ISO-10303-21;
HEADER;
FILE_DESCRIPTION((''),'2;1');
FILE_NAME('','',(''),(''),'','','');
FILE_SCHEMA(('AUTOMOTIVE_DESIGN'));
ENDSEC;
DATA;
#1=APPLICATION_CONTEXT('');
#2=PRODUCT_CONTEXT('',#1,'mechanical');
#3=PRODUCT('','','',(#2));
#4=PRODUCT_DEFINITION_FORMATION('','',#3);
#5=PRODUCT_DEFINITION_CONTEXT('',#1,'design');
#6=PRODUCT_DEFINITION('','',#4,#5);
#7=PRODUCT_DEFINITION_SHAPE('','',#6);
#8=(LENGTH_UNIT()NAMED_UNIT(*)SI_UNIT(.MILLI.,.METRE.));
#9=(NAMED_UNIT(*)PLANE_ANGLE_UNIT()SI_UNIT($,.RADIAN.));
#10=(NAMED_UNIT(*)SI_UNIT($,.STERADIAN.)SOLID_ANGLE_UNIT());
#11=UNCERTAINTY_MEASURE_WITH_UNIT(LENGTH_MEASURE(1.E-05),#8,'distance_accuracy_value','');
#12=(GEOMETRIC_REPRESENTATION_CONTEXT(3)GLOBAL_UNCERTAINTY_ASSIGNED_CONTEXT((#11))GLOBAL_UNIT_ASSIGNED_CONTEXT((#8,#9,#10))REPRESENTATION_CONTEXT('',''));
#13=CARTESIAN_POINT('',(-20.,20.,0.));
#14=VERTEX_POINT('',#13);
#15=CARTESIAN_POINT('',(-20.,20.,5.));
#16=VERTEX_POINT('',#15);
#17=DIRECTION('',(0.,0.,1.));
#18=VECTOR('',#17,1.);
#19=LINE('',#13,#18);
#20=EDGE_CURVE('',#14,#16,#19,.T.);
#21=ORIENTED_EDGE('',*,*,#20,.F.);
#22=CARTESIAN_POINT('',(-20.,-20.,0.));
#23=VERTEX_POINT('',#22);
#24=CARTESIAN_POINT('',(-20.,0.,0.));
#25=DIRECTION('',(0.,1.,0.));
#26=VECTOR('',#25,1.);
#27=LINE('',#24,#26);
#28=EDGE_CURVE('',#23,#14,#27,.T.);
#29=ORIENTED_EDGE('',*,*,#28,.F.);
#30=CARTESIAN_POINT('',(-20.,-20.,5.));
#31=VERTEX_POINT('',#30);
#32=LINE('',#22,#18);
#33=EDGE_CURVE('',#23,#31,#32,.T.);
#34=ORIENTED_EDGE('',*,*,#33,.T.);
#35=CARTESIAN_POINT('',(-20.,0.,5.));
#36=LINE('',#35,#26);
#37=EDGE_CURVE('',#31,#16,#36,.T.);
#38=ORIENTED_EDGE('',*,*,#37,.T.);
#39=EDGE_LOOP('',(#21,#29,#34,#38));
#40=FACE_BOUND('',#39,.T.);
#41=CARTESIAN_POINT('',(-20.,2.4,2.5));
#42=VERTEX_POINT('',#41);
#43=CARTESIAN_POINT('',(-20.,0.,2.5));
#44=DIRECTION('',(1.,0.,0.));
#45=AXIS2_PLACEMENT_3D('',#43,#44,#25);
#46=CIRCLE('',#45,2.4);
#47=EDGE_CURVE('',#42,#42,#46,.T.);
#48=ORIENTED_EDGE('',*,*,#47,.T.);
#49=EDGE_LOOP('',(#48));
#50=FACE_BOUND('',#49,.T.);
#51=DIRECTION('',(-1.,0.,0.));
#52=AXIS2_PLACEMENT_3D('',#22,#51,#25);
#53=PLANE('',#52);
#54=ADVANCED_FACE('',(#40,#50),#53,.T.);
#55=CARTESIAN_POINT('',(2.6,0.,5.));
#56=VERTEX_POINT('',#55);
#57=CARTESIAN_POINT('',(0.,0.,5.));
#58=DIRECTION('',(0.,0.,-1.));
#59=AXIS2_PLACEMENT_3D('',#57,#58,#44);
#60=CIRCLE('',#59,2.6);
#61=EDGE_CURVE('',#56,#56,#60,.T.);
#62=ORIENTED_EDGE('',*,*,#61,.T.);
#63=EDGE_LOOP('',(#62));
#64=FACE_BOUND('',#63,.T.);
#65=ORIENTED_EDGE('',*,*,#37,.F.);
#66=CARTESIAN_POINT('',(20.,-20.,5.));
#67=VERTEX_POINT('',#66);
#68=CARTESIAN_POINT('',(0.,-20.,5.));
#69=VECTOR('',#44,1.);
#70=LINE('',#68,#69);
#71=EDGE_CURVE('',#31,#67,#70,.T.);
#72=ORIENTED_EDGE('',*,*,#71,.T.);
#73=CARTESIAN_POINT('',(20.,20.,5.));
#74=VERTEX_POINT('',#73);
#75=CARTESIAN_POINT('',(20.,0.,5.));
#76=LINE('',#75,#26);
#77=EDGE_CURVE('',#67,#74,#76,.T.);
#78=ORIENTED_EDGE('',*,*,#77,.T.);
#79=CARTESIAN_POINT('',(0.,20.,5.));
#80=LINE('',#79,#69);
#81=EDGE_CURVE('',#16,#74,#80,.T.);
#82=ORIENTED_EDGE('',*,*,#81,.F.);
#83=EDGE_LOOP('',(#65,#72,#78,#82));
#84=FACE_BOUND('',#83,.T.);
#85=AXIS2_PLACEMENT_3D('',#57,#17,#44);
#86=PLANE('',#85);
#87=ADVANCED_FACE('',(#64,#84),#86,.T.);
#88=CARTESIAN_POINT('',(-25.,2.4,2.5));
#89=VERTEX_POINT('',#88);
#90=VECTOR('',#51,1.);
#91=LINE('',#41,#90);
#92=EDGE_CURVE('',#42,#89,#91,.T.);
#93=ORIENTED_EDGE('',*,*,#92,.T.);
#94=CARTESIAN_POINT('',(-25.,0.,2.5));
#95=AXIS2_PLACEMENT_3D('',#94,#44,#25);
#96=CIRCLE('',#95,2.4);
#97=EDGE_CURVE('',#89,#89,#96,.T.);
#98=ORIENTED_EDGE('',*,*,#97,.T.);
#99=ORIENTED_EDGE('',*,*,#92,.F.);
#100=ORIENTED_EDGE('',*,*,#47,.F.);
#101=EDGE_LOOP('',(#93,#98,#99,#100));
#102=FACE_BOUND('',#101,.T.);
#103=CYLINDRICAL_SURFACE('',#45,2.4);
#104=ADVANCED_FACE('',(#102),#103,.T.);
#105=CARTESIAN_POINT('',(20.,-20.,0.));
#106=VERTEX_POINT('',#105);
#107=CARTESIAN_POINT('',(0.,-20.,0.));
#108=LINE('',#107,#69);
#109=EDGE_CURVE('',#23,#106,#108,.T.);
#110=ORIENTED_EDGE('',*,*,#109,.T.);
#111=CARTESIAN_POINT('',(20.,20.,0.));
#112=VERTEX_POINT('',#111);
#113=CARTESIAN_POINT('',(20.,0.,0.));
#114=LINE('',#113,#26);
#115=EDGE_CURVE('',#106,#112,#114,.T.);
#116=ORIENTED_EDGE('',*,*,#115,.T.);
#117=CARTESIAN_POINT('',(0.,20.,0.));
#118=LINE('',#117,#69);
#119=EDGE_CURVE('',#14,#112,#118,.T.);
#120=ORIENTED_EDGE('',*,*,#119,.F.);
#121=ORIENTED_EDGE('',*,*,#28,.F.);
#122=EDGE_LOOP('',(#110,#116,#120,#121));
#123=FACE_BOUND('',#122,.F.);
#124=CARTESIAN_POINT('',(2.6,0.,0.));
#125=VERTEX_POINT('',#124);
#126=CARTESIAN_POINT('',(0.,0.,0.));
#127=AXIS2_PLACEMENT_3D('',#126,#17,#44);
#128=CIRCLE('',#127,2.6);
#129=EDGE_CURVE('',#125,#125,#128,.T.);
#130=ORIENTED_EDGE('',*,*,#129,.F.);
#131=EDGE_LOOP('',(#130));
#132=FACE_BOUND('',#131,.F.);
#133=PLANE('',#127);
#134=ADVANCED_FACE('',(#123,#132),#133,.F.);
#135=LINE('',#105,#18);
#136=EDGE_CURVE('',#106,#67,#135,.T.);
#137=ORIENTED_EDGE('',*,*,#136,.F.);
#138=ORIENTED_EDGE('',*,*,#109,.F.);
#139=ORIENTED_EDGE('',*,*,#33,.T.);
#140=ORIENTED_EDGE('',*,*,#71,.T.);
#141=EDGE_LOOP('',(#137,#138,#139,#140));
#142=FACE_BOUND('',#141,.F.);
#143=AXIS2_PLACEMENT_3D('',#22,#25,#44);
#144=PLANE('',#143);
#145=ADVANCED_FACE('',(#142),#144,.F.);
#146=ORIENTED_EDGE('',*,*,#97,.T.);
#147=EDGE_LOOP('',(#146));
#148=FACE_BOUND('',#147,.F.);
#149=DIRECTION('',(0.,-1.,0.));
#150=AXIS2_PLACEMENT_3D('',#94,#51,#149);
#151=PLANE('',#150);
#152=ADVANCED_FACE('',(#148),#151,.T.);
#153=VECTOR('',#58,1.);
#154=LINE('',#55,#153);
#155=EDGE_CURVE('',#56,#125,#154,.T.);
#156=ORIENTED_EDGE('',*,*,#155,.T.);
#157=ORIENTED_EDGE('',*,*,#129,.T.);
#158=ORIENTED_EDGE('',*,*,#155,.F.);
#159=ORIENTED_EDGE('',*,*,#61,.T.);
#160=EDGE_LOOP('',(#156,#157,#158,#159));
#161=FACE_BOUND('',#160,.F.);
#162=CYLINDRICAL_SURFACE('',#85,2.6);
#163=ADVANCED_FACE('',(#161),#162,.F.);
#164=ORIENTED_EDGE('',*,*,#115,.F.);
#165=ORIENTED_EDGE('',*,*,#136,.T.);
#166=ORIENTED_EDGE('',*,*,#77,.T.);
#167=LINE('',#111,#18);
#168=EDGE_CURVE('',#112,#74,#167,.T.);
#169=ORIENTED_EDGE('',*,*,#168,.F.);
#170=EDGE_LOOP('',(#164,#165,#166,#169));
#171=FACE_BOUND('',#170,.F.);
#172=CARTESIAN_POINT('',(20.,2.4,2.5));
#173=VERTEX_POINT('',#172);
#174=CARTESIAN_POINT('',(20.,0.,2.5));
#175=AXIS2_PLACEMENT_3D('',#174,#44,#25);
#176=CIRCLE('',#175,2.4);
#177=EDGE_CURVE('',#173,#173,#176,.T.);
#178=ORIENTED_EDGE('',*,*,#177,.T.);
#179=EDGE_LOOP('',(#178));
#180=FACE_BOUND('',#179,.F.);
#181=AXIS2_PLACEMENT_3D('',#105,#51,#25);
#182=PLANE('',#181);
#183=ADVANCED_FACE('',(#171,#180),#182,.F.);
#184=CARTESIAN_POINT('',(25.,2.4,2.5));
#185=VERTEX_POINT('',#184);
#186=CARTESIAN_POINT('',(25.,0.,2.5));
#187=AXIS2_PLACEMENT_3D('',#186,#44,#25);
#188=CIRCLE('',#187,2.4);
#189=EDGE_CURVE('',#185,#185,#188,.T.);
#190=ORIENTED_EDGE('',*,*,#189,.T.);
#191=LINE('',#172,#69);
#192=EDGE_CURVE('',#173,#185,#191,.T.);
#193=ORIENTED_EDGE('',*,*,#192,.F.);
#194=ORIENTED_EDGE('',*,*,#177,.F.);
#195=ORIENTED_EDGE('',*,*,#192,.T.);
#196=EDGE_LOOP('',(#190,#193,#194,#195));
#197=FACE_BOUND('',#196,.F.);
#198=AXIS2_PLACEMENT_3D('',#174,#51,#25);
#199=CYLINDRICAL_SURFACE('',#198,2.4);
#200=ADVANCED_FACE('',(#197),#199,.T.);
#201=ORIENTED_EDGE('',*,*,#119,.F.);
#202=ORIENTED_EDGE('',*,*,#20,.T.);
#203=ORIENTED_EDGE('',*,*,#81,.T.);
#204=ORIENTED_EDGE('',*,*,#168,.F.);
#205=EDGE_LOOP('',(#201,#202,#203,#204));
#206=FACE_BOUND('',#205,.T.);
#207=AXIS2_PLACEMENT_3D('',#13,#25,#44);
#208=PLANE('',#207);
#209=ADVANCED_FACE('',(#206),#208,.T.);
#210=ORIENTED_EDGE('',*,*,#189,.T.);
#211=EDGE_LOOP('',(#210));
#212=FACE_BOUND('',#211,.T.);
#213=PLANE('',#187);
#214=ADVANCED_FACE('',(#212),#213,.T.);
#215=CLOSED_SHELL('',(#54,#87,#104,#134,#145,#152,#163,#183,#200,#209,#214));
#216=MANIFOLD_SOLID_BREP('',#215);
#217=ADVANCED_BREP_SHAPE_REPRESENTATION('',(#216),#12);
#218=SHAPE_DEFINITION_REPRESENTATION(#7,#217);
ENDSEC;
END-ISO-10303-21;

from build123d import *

# Parameters (mm, degrees)
F0_W     = 40
F0_H     = 40
F1_DEPTH = 5
F2_R     = 2.6
F3_DEPTH = 25.4
F4_R     = 2.4
F5_DEPTH = 5


with BuildPart() as f1:
    # F0 (on Top) → F1 (new body)
    with BuildSketch(Plane.XY):
        Rectangle(F0_W, F0_H)
    extrude(amount=F1_DEPTH)

    # F2 (on face) → F3 (cut)
    with BuildSketch(Plane.XY.offset(5)):
        Circle(F2_R)
    extrude(amount=-F3_DEPTH, mode=Mode.SUBTRACT)

    # F4 (on face) → F5 (join)
    with BuildSketch(Plane.YZ.offset(20)):
        with Locations((0, 2.5)):
            Circle(F4_R)
    extrude(amount=F5_DEPTH)

    # F6: F1 across plane


with BuildPart() as f1_1:
    add(f1.part)
    add(f1.part.mirror(Plane.YZ))


solid = f1_1.part
